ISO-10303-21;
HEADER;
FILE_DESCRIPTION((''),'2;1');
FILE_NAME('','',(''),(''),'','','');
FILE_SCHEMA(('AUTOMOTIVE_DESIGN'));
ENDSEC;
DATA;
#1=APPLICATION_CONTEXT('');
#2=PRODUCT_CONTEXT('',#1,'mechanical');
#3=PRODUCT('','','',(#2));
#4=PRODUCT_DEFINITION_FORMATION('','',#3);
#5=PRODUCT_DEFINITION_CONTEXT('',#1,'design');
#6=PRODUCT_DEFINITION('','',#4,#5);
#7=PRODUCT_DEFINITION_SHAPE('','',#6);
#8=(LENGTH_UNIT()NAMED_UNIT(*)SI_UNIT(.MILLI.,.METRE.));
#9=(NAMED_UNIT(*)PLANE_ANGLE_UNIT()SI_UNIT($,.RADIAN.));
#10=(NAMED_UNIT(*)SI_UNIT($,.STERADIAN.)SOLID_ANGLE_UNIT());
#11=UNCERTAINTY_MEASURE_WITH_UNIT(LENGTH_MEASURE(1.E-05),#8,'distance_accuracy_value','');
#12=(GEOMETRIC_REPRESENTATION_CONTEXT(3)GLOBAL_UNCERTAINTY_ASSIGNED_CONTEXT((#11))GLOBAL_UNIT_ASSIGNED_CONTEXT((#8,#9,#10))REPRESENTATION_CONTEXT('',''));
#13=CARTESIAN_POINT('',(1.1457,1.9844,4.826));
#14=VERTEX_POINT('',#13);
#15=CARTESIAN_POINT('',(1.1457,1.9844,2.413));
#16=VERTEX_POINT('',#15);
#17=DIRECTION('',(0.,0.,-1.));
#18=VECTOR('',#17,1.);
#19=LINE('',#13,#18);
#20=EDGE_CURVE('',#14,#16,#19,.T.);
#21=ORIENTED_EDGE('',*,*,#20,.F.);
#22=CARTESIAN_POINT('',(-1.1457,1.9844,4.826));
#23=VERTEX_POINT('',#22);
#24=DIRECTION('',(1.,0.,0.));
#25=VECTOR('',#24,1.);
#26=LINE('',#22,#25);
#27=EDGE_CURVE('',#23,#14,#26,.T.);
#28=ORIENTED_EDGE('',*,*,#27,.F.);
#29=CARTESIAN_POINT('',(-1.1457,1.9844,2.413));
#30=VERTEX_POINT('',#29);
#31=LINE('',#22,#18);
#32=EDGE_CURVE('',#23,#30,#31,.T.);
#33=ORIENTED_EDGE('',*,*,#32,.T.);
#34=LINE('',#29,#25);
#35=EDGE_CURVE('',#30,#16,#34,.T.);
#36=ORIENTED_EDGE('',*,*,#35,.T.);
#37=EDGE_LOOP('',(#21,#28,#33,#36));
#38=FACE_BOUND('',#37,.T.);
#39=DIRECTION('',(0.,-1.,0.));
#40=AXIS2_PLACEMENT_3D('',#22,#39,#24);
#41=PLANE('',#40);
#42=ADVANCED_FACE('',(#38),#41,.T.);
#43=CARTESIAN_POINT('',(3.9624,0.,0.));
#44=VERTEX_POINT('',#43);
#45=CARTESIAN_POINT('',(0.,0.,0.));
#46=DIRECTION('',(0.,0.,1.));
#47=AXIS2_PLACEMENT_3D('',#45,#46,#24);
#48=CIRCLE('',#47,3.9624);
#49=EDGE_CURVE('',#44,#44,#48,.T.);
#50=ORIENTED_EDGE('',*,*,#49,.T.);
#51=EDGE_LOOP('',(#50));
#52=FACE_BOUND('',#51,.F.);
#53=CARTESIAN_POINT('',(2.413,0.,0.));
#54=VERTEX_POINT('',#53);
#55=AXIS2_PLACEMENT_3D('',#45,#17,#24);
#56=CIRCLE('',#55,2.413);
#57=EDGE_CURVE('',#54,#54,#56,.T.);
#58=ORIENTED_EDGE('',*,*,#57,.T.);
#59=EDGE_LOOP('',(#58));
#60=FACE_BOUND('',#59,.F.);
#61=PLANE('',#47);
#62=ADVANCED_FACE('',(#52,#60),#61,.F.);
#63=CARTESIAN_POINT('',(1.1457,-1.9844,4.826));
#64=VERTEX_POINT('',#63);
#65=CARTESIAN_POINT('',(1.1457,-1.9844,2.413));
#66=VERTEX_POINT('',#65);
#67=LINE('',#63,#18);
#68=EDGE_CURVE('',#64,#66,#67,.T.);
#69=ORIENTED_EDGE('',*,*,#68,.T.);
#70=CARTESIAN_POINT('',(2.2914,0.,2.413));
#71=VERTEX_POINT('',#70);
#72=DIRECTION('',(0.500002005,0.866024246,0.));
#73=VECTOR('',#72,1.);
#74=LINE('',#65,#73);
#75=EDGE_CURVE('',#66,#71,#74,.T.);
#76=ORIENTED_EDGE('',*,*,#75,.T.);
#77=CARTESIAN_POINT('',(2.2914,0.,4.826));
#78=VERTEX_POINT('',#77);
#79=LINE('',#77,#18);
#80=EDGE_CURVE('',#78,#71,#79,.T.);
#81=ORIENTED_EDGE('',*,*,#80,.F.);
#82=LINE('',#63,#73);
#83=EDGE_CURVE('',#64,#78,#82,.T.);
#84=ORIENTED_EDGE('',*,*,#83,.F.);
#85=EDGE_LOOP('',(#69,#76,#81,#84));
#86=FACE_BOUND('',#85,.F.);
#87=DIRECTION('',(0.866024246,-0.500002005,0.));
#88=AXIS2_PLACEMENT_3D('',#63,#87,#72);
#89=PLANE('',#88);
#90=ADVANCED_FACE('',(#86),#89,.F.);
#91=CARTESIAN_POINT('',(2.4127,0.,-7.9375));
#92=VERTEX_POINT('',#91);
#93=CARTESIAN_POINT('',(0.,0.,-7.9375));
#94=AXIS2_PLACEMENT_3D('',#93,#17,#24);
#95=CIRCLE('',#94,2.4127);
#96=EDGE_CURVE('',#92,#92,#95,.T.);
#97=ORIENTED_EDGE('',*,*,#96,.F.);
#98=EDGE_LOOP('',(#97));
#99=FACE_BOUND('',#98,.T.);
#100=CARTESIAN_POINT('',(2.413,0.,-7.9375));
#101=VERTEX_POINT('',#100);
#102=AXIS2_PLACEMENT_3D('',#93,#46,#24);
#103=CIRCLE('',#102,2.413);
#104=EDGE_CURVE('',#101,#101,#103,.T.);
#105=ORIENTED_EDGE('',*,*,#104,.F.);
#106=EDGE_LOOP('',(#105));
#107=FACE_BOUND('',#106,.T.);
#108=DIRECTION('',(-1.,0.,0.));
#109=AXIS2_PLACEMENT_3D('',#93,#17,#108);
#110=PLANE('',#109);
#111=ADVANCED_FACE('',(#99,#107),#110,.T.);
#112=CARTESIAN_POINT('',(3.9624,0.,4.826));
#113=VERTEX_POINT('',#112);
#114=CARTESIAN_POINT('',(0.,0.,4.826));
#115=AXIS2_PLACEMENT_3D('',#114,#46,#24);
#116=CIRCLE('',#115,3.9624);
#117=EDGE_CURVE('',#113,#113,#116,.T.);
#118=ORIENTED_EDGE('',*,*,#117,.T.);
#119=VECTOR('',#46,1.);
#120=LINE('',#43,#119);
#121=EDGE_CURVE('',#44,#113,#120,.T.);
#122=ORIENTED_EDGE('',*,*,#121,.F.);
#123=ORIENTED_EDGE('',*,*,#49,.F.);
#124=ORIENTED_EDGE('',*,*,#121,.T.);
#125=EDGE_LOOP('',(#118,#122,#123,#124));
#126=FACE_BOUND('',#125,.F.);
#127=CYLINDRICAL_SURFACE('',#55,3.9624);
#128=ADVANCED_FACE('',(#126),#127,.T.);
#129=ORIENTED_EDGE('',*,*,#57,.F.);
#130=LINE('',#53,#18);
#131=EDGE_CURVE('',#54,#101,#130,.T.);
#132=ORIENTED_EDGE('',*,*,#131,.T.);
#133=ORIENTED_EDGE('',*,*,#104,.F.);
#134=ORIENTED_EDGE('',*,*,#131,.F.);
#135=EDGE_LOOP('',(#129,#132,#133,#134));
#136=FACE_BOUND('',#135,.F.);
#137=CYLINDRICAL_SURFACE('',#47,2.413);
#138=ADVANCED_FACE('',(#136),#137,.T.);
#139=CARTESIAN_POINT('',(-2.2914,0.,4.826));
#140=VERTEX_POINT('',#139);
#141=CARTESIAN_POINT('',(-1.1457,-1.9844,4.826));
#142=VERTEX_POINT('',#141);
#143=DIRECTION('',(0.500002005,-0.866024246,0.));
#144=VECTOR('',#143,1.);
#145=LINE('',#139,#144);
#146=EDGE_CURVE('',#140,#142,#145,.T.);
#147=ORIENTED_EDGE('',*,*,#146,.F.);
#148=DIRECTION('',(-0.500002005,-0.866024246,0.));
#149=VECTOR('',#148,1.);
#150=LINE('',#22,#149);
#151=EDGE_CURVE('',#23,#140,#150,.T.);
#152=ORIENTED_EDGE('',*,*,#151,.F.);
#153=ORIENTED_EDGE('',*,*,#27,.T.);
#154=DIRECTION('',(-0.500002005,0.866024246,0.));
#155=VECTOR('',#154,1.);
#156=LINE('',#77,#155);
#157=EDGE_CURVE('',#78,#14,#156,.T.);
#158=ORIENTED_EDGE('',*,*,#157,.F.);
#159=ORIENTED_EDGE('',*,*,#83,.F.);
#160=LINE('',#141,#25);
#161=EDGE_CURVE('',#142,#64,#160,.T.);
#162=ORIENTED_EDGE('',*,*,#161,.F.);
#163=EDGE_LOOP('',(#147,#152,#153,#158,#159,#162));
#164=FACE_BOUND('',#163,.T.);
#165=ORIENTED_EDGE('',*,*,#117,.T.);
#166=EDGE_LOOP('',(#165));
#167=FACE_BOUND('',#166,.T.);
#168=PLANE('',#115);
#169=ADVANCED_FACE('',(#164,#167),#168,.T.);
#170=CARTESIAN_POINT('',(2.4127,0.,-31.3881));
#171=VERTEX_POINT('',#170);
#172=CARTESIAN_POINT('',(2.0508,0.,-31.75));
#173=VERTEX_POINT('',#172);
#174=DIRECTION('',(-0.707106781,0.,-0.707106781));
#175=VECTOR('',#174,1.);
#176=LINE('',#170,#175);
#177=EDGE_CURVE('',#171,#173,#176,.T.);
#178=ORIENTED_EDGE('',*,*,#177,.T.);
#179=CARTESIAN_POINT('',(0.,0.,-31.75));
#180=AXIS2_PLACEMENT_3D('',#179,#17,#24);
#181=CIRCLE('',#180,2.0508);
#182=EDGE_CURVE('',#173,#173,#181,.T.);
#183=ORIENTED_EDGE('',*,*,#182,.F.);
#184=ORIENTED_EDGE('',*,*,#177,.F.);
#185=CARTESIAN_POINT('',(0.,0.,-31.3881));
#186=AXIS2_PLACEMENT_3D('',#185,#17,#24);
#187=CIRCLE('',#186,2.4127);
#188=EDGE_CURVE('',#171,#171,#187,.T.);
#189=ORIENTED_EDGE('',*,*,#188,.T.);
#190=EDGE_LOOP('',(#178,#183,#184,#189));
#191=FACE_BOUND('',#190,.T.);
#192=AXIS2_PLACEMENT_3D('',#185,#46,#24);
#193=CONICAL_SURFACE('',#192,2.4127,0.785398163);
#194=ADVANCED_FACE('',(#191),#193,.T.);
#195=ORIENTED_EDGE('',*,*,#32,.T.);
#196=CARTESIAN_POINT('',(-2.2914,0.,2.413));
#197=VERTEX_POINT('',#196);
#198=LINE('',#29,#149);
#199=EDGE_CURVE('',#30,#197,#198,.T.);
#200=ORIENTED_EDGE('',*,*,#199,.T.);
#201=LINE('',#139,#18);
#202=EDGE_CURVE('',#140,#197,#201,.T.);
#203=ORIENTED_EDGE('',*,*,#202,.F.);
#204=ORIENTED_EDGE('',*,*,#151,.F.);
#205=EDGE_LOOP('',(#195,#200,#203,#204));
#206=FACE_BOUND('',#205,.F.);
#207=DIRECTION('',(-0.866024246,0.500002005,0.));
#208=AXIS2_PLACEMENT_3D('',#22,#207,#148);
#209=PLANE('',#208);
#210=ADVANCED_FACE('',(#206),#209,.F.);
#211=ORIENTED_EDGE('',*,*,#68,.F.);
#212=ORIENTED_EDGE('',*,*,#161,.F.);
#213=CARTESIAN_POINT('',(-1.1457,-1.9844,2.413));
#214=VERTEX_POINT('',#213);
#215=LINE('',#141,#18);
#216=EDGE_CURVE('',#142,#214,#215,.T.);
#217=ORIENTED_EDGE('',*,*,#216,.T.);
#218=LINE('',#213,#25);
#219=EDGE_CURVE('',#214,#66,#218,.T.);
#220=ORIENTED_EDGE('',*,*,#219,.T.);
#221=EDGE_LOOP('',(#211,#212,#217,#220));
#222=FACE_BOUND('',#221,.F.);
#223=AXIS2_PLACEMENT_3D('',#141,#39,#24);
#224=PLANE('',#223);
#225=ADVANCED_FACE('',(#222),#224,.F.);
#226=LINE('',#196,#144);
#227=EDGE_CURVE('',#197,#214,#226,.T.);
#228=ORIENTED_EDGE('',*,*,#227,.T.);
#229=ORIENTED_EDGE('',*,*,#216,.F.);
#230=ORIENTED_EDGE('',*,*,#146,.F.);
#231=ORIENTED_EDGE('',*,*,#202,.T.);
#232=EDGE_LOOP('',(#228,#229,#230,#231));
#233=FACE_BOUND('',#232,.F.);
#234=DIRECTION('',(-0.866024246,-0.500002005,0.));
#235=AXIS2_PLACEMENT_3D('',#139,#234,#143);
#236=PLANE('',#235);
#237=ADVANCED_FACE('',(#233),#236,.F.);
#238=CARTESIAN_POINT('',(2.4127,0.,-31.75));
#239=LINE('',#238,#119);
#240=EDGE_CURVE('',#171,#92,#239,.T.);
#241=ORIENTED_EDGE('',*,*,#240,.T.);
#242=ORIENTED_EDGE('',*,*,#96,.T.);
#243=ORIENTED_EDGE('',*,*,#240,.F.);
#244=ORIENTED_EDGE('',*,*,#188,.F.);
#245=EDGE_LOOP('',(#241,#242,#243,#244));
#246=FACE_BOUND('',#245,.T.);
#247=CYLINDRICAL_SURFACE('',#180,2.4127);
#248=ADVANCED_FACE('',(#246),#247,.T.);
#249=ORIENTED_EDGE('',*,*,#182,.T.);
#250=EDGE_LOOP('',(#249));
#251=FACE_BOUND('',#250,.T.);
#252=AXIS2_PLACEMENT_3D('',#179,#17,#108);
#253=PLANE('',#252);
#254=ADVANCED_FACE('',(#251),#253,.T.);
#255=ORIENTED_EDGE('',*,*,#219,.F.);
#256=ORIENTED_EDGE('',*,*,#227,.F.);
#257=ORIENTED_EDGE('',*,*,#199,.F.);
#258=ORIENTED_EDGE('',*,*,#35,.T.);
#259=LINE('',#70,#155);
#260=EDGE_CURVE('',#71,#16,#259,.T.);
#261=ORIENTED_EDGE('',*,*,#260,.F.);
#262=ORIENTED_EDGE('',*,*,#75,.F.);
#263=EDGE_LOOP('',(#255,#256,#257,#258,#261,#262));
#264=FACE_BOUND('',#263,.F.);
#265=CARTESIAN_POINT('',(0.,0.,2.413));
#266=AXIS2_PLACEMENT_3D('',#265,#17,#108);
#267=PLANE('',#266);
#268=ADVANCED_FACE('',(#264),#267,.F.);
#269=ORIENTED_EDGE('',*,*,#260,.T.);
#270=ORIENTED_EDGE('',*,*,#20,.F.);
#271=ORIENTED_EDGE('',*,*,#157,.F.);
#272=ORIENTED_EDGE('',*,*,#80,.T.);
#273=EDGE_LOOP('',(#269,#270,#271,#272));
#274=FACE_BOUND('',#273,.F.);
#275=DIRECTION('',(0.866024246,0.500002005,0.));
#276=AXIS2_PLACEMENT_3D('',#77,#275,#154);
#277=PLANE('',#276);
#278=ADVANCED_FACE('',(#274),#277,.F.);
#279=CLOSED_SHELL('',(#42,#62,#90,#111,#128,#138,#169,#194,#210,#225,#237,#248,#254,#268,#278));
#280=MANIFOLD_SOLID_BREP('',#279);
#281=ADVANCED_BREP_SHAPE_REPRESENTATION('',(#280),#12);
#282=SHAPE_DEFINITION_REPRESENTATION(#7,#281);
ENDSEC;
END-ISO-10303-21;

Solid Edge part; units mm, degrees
sketch "Sketch1" plane through (0, 0, 0) normal (0, 0, 1) x (1, 0, 0)
  circle A0 centre (0, 0) radius 3.9624
  dimension "D1" = 7.9248
extrude "Protrusion1" add sketch "Sketch1" along normal blind 4.826
sketch "Sketch2" plane through (0, 0, 0) normal (0, 0, -1) x (1, 0, 0)
  circle A0 centre (0, 0) radius 2.413
extrude "Protrusion2" add sketch "Sketch2" along normal blind 31.75
sketch "Sketch3" plane through (0, 0, -31.75) normal (0, 0, -1) x (1, 0, 0)
  circle A0 centre (0, 0) radius 2.4127
extrude "Cutout1" cut sketch "Sketch3" against normal blind 23.8125 flip side to cut
chamfer "Chamfer_1" distance 0.3619 angle 45 1 edges at (-2.4127, 0, -31.75)
sketch "Sketch4" plane through (0, 0, 4.826) normal (0, 0, 1) x (1, 0, 0)
  line L0 (-1.1457, 1.9844) -> (1.1457, 1.9844)
  line L1 (2.2914, 0) -> (1.1457, 1.9844)
  line L2 (1.1457, -1.9844) -> (2.2914, 0)
  line L3 (-1.1457, -1.9844) -> (1.1457, -1.9844)
  line L4 (-2.2914, 0) -> (-1.1457, -1.9844)
  line L5 (-1.1457, 1.9844) -> (-2.2914, 0)
  dimension "D1" = 3.9688
extrude "Cutout2" cut sketch "Sketch4" against normal blind 2.413
properties part number "24102458"
